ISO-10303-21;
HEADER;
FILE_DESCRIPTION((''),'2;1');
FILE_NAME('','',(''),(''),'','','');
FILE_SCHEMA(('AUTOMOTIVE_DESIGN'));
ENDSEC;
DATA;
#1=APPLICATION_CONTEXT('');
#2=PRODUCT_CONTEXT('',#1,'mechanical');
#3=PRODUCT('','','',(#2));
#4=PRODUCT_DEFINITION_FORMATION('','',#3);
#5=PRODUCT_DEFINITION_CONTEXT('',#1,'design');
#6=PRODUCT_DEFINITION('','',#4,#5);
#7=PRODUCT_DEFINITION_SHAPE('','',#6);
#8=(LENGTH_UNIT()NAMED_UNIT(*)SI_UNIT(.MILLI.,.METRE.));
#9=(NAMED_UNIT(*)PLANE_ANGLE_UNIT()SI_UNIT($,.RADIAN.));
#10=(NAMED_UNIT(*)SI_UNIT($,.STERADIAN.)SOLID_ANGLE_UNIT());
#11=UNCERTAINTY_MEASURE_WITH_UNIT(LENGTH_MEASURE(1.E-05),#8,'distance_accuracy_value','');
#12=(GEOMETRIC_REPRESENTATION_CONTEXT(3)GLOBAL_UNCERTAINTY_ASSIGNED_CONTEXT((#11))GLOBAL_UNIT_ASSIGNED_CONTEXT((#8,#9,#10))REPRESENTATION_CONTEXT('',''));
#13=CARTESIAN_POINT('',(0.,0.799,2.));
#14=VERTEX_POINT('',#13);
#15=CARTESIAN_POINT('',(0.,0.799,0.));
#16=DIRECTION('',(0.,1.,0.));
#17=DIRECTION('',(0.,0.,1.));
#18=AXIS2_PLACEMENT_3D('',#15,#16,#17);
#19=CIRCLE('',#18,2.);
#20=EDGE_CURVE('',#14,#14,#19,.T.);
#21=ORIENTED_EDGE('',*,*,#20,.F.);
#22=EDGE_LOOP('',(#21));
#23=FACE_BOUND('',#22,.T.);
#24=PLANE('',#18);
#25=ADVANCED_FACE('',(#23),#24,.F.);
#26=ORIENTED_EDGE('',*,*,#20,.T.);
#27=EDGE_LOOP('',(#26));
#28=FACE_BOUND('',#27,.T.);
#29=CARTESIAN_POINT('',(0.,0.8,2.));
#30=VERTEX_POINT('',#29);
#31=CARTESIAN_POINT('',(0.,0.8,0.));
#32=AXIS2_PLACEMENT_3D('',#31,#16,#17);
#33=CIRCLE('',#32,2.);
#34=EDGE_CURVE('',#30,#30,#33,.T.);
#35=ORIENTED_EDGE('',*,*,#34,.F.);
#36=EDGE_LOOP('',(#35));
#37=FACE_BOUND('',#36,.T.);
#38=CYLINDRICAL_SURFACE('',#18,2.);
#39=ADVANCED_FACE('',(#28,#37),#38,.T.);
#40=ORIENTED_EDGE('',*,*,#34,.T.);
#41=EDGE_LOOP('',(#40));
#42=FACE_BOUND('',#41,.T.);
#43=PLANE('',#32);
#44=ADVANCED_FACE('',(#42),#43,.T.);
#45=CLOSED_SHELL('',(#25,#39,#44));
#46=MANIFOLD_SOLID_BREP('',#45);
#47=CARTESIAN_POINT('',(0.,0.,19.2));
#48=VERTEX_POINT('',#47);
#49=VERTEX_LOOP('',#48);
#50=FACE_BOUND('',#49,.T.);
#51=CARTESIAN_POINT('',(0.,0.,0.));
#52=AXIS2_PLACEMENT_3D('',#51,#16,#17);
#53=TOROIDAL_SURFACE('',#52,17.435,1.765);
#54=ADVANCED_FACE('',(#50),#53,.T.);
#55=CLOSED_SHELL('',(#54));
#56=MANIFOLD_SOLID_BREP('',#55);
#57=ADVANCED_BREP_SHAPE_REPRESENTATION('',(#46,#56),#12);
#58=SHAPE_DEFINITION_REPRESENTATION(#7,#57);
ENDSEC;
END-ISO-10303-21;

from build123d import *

# Parameters (mm, degrees)
SKETCH1_R           = 1.765
SKETCH3_R           = 2
BOSS_EXTRUDE1_DEPTH = 0.001


with BuildPart() as part:
    # Sketch1 → Revolve1 (revolve)
    with BuildSketch(Plane.XY, mode=Mode.PRIVATE) as revolve1_sk:
        with Locations((17.435, 0)):
            Circle(SKETCH1_R)
    revolve(revolve1_sk.sketch.rotate(Axis((0, 5.150017497, 0), (0, -1, 0)), 90), axis=Axis((0, 5.150017497, 0), (0, -1, 0)))


with BuildPart() as body_2:
    # Sketch3 → Boss-Extrude1 (new body)
    with BuildSketch(Plane(origin=(0, 0.8, 0), x_dir=(1, 0, 0), z_dir=(0, 1, 0))):
        with Locations(Location((0, 0, 0), (0, 0, 270))):
            Circle(SKETCH3_R)
    extrude(amount=-BOSS_EXTRUDE1_DEPTH)


solid = Compound([part.part, body_2.part])
